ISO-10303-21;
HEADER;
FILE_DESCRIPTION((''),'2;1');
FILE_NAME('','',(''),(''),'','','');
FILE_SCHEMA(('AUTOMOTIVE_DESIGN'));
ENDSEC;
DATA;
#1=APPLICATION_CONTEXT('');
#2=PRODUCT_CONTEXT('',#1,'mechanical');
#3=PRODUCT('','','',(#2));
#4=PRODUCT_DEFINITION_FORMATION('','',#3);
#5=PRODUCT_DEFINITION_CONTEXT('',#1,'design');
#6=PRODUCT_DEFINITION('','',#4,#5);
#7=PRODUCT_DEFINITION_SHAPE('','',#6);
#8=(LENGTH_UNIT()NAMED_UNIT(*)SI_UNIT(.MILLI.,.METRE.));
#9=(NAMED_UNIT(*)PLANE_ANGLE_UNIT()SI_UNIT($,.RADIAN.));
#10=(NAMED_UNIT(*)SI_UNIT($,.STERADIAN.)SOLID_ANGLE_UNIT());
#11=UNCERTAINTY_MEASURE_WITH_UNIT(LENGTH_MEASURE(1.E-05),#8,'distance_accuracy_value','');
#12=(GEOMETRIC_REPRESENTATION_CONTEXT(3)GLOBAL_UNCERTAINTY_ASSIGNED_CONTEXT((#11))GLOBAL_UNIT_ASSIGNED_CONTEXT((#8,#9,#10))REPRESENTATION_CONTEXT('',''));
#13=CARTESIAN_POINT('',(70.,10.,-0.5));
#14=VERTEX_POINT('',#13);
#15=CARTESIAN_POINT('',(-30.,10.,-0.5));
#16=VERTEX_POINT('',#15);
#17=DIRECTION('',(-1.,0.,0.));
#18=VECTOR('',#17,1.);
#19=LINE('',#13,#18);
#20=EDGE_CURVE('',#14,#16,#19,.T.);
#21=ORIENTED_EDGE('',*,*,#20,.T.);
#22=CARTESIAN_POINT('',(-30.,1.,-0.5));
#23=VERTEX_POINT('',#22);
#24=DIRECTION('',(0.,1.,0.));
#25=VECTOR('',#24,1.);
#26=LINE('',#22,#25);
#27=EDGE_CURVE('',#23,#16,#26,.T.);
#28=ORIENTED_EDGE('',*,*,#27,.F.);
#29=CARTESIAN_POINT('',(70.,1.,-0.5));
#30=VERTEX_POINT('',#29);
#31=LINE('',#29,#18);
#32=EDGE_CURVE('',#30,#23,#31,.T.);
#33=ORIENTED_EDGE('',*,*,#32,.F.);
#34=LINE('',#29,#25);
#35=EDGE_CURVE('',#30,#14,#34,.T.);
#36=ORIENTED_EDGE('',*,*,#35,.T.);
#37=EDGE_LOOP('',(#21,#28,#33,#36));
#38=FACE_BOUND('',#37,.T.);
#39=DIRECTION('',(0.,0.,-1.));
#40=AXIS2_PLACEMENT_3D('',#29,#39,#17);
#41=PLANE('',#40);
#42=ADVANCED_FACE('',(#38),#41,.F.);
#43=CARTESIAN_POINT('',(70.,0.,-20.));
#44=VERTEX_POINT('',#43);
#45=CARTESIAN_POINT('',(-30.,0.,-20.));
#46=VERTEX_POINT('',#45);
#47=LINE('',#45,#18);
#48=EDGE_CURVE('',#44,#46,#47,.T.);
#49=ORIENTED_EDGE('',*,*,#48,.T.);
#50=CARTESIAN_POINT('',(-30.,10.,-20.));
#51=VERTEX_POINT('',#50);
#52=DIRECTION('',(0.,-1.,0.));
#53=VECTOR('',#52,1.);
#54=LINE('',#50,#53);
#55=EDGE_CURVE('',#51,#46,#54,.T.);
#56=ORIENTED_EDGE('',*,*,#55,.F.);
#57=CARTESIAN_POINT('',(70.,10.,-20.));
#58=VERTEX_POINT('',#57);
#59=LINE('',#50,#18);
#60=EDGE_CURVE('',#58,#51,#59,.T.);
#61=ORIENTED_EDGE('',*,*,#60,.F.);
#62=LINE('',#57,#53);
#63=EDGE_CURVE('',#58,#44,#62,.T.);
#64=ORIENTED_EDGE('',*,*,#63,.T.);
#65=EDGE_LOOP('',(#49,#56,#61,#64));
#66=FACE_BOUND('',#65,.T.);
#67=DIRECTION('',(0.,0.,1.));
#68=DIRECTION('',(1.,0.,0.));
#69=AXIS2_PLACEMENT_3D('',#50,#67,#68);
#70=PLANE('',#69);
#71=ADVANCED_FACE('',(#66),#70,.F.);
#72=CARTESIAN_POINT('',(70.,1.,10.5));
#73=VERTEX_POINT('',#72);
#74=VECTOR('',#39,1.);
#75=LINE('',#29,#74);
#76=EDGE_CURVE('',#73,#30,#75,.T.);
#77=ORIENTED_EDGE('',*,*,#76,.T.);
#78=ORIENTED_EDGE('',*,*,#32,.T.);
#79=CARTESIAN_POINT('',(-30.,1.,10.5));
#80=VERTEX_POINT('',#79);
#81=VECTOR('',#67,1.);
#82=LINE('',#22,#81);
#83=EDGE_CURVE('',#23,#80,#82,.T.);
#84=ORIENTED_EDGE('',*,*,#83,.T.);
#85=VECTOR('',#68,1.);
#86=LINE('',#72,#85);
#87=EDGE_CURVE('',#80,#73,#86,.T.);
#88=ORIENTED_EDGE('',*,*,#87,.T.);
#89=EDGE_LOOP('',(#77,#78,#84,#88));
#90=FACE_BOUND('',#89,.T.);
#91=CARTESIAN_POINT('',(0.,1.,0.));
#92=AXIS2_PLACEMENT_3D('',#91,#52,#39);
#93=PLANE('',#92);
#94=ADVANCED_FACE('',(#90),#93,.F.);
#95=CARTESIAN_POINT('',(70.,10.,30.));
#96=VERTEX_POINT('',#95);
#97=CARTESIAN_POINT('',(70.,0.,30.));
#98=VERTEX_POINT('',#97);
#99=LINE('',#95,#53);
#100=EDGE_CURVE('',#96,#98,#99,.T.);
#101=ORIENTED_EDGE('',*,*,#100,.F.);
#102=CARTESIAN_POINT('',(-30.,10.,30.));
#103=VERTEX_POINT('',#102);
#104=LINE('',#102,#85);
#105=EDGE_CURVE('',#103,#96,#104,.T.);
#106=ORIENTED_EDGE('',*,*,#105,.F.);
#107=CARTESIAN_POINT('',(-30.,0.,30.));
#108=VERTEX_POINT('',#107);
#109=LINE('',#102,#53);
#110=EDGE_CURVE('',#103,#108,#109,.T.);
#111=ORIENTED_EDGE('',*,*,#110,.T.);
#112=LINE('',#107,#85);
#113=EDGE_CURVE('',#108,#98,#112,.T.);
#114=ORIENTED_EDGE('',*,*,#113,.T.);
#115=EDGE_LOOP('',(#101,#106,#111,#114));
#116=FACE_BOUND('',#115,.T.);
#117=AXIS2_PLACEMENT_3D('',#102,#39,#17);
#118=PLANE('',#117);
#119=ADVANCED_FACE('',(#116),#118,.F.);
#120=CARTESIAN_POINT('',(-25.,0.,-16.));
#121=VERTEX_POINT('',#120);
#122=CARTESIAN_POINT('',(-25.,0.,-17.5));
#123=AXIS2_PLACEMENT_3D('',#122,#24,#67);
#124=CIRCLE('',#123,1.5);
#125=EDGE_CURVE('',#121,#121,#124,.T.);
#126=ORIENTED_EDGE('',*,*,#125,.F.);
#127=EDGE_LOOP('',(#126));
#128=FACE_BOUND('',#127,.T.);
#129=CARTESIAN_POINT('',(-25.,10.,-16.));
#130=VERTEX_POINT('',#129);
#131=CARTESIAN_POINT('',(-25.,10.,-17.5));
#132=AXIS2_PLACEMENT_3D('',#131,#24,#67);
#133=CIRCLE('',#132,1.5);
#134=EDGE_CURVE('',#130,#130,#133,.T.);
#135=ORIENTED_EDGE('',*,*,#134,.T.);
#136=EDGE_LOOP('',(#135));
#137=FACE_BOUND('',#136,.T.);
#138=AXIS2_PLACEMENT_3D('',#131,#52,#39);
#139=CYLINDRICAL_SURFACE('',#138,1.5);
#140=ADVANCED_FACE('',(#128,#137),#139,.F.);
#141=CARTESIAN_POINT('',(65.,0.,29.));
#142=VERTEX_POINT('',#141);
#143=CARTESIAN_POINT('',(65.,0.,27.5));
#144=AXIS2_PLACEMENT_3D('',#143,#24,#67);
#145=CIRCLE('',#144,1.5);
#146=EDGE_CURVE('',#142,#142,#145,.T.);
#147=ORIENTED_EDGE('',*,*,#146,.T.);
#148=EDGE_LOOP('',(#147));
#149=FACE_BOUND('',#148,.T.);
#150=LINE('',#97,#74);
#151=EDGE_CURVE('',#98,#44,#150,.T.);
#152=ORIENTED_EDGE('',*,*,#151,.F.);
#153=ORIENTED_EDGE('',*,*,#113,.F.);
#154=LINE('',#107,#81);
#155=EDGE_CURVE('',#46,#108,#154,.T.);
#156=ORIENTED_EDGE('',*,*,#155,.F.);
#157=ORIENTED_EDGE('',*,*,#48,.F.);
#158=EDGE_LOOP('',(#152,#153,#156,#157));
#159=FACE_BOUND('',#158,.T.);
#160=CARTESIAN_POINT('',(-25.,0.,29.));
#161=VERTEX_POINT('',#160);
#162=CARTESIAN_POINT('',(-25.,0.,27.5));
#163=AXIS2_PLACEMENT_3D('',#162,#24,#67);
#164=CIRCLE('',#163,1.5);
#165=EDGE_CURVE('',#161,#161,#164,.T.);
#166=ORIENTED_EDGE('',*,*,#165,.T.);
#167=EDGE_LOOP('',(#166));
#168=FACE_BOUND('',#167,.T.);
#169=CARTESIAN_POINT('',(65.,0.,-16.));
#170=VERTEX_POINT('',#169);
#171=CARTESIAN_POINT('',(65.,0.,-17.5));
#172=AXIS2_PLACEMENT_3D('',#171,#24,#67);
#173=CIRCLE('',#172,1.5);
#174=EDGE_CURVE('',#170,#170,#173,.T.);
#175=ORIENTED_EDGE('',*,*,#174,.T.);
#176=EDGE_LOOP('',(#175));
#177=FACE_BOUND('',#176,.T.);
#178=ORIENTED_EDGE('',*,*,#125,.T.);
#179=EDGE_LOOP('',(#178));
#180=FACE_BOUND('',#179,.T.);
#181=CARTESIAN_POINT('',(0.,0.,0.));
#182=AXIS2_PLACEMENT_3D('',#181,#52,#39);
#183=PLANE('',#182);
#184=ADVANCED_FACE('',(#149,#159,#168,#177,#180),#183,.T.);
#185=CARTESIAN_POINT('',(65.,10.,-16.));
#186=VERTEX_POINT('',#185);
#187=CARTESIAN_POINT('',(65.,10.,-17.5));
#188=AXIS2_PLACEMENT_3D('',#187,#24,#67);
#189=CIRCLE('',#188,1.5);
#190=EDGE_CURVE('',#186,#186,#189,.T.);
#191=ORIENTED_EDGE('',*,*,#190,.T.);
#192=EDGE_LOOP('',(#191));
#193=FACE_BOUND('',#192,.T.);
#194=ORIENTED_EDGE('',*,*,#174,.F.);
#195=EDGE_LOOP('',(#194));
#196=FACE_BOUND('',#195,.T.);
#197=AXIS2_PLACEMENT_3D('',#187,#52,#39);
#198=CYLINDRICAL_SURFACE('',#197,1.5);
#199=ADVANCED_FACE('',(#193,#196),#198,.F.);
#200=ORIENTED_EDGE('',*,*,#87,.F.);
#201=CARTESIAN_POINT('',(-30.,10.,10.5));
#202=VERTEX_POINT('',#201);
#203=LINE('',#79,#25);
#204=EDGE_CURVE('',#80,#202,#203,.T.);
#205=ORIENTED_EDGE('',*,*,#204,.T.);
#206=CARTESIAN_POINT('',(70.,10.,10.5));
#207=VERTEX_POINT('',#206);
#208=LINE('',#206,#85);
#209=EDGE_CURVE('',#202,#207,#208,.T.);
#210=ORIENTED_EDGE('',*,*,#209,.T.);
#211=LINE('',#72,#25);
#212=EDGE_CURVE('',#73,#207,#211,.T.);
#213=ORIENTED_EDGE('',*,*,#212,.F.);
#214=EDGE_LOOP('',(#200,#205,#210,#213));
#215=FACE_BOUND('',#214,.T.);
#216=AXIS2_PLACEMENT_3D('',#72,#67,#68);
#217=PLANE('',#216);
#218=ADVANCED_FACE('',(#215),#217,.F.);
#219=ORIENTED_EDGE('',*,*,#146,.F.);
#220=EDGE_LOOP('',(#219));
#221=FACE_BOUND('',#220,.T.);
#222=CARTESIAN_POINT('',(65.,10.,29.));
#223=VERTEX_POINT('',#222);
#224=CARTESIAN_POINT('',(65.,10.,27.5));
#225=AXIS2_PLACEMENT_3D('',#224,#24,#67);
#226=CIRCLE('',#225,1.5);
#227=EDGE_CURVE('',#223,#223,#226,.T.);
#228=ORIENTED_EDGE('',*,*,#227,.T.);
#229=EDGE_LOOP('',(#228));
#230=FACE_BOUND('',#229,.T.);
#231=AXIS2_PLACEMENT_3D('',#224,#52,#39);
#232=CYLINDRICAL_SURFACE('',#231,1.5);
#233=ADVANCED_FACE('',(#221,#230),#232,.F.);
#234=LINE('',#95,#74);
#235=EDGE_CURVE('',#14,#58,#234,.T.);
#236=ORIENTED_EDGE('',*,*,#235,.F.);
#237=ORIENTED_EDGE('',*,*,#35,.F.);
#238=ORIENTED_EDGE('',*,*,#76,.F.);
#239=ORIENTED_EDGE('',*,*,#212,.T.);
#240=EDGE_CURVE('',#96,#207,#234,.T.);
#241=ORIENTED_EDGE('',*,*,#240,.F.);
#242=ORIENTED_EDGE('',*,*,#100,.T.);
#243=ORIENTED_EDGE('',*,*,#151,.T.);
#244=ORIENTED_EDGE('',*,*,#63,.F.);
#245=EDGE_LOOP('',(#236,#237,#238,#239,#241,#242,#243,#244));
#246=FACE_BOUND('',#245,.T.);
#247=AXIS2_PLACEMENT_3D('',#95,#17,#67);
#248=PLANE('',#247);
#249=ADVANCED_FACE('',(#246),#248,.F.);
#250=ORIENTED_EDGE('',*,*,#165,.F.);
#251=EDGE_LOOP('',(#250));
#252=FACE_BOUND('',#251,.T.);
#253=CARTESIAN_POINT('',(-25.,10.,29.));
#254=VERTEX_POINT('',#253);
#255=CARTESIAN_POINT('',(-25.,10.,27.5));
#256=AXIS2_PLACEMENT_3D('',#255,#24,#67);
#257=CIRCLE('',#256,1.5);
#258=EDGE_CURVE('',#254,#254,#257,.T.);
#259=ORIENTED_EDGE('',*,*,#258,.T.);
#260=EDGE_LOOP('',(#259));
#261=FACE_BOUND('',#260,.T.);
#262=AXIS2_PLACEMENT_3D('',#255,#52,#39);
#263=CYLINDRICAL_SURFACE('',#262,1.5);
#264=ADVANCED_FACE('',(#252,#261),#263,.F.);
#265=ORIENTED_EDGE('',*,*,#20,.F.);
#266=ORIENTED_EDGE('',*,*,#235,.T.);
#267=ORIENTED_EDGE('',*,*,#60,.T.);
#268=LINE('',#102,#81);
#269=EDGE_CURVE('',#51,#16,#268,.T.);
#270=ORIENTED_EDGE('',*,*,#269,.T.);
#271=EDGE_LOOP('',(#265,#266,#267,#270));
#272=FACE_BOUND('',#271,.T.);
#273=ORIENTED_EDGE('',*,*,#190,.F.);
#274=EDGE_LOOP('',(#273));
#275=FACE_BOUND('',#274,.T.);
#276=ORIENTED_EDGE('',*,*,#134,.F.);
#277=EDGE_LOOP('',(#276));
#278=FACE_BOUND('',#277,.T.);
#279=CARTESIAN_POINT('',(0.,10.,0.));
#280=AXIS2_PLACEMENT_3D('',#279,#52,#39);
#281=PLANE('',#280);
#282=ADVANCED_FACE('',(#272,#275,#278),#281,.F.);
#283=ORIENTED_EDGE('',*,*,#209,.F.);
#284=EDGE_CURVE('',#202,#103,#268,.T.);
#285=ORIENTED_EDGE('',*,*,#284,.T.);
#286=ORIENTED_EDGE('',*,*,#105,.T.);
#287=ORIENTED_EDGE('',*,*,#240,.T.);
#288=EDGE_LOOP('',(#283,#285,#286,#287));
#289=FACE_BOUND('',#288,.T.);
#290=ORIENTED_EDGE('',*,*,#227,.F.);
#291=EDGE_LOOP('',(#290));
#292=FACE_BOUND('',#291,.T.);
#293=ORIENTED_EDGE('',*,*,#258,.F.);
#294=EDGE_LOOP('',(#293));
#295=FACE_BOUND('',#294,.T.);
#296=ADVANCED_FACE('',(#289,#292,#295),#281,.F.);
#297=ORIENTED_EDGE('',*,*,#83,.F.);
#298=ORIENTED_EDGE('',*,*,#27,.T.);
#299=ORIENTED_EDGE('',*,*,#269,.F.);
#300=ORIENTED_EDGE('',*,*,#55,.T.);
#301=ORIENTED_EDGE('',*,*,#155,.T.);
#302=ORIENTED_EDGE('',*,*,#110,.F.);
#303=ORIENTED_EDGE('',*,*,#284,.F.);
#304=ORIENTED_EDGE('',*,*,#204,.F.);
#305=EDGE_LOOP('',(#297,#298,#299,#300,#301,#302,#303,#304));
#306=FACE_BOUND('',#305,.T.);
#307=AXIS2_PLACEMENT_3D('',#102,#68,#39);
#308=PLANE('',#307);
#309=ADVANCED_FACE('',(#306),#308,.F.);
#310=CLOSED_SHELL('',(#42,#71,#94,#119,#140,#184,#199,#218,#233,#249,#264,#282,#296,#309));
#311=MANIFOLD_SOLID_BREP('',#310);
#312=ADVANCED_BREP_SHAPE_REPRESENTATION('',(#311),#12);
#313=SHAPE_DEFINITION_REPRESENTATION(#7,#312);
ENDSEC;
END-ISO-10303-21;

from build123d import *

# Parameters (mm, degrees)
SKETCH1_W           = 100
SKETCH1_H           = 50
SKETCH1_R           = 1.5
BOSS_EXTRUDE2_DEPTH = 10
SKETCH2_W           = 100
SKETCH2_H           = 11
CUT_EXTRUDE1_DEPTH  = 9


with BuildPart() as part:
    # Sketch1 → Boss-Extrude2 (new body)
    with BuildSketch(Plane(origin=(0, 0, 0), x_dir=(1, 0, 0), z_dir=(0, 1, 0))):
        with Locations((20, -5)):
            Rectangle(SKETCH1_W, SKETCH1_H)
        with Locations(Location((-25, 17.5, 0), (0, 0, 270))):
            Circle(SKETCH1_R, mode=Mode.SUBTRACT)
        with Locations(Location((-25, -27.5, 0), (0, 0, 270))):
            Circle(SKETCH1_R, mode=Mode.SUBTRACT)
        with Locations(Location((65, 17.5, 0), (0, 0, 270))):
            Circle(SKETCH1_R, mode=Mode.SUBTRACT)
        with Locations(Location((65, -27.5, 0), (0, 0, 270))):
            Circle(SKETCH1_R, mode=Mode.SUBTRACT)
    extrude(amount=BOSS_EXTRUDE2_DEPTH)

    # Sketch2 → Cut-Extrude1 (cut)
    with BuildSketch(Plane(origin=(0, 10, 0), x_dir=(1, 0, 0), z_dir=(0, 1, 0))):
        with Locations((20, -5)):
            Rectangle(SKETCH2_W, SKETCH2_H)
    extrude(amount=-CUT_EXTRUDE1_DEPTH, mode=Mode.SUBTRACT)


solid = part.part
